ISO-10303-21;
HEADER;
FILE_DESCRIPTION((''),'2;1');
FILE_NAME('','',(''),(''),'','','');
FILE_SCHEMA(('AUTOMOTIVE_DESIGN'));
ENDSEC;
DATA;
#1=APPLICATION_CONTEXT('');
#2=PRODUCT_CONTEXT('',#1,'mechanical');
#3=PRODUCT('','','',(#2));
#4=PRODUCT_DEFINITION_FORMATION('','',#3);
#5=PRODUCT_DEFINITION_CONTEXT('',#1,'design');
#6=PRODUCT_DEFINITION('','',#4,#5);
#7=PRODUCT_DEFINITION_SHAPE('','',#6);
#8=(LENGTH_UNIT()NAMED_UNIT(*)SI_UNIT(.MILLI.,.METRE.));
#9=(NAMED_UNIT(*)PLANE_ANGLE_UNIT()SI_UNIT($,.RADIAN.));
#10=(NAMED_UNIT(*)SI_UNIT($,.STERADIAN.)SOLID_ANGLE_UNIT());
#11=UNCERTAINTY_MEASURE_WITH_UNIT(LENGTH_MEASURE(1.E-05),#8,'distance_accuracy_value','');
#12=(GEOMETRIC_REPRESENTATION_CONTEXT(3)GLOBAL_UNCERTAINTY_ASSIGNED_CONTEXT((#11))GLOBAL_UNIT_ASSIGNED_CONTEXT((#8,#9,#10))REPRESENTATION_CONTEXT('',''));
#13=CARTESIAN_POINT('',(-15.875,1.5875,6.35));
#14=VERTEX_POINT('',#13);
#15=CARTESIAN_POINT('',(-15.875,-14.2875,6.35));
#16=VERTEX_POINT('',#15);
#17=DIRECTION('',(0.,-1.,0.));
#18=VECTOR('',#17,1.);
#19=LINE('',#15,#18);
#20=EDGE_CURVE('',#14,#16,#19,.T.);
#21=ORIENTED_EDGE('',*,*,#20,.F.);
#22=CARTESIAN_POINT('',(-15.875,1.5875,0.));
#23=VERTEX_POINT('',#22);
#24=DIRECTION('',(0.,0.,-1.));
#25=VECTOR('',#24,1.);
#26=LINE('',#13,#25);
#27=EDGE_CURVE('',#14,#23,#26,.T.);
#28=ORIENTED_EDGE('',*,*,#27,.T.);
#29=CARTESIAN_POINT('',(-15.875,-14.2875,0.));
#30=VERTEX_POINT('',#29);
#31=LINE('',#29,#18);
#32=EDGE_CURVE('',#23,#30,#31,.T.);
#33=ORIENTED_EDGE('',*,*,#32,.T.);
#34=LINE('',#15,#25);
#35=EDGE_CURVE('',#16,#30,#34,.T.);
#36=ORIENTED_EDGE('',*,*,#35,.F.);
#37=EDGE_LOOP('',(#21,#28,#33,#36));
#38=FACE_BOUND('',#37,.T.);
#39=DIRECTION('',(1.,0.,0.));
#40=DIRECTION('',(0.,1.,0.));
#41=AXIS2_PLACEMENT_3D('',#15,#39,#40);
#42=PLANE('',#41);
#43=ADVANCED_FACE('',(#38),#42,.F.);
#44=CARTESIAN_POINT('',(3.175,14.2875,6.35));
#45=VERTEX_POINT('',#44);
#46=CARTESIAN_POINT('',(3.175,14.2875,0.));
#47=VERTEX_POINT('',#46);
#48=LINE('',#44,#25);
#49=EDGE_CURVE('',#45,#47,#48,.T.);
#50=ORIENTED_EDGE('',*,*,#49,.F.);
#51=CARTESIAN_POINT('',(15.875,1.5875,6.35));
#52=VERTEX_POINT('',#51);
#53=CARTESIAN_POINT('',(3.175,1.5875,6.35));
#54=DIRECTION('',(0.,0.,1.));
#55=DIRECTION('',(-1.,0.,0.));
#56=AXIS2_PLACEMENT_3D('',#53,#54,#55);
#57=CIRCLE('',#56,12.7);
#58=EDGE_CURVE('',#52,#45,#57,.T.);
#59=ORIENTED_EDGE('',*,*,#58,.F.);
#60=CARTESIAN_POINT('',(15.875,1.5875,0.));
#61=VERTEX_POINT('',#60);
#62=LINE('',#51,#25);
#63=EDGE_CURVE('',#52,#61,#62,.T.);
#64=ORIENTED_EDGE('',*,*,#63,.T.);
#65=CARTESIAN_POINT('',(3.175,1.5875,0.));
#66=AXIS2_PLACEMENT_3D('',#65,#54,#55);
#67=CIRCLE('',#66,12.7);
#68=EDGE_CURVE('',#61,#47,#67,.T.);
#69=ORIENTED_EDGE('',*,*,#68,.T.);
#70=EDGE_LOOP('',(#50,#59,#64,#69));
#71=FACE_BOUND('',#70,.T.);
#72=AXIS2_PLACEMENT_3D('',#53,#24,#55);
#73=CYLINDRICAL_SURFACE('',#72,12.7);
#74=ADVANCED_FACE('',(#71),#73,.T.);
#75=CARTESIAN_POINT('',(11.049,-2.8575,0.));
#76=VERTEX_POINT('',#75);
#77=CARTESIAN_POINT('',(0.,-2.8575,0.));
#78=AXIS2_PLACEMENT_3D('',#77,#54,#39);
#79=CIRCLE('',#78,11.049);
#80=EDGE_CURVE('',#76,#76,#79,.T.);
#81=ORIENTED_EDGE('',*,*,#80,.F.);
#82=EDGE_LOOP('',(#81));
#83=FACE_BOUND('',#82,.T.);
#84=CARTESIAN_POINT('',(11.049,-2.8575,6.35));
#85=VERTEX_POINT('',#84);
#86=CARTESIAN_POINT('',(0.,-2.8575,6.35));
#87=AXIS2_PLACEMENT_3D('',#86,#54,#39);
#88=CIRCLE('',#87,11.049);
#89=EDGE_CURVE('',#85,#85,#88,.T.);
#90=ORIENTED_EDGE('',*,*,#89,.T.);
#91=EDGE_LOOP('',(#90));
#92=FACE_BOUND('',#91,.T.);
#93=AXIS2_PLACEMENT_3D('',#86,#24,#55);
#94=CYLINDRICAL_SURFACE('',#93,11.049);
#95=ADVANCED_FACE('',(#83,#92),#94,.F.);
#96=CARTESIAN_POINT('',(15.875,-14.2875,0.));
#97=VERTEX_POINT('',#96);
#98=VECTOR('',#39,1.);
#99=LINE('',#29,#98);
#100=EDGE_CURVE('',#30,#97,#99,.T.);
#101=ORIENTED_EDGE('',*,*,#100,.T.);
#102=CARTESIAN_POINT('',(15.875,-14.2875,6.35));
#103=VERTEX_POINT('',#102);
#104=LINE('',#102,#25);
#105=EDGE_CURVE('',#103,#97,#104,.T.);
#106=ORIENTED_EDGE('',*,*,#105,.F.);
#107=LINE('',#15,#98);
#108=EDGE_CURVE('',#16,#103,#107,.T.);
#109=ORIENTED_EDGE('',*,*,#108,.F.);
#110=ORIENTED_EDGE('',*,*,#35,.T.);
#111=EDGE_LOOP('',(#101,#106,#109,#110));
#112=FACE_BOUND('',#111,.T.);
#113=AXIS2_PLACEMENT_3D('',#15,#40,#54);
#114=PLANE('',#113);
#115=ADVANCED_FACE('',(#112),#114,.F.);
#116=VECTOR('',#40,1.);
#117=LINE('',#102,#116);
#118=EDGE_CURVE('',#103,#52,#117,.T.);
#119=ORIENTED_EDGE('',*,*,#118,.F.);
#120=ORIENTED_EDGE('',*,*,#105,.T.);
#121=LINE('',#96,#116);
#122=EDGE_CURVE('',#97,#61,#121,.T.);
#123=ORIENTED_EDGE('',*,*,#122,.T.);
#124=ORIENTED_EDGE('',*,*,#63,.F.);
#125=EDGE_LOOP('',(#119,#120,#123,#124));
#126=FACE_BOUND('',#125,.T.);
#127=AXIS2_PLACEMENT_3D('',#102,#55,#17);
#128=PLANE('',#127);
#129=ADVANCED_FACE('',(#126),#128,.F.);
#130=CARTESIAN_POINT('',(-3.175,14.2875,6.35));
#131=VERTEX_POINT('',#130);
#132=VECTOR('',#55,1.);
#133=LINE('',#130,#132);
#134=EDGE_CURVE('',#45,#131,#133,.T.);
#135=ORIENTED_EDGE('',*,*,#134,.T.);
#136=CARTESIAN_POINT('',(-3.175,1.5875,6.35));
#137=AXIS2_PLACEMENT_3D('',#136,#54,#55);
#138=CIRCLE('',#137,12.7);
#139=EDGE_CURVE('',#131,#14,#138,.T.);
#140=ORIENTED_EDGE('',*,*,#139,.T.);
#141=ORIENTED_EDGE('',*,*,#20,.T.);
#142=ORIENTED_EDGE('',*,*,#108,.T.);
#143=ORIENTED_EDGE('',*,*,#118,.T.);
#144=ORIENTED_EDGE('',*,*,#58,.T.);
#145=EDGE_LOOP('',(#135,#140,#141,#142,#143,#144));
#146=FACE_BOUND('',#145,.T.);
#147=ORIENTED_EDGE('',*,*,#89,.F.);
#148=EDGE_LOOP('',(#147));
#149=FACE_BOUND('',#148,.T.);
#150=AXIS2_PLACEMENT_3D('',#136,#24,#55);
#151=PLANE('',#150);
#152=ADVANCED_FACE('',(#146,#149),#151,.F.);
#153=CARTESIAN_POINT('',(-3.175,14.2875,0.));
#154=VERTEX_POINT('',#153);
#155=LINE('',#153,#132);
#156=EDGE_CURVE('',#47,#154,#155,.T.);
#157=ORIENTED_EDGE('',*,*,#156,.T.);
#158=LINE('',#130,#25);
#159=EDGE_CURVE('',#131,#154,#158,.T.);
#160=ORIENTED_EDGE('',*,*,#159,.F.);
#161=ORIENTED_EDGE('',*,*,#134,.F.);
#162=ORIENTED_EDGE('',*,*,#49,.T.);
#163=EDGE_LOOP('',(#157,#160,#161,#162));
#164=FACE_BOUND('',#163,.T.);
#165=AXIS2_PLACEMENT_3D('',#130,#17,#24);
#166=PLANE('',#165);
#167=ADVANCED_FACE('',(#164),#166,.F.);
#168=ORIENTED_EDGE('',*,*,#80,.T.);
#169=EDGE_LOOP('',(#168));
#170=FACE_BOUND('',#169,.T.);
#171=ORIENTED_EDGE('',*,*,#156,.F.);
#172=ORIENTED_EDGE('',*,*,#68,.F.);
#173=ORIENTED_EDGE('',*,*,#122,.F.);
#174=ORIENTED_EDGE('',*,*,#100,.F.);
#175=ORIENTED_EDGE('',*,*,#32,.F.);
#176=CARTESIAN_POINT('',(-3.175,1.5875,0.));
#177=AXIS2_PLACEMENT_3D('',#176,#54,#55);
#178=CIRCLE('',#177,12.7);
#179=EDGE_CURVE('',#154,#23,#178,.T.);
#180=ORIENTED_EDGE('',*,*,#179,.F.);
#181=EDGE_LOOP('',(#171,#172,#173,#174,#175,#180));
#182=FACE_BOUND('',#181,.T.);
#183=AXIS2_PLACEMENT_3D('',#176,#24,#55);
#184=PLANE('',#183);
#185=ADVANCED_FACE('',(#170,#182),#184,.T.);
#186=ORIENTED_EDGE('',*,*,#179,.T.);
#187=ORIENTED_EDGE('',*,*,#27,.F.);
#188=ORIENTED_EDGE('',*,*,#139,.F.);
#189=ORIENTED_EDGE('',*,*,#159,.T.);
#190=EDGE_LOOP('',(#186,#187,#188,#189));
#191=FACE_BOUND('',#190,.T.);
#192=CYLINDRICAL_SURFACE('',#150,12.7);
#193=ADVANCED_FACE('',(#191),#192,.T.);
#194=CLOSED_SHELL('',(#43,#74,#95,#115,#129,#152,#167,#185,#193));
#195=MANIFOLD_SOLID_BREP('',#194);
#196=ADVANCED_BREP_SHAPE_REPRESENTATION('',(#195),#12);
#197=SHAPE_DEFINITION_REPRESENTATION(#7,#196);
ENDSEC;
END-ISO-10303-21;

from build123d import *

# Parameters (mm, degrees)
SKETCH1_R           = 11.049
BOSS_EXTRUDE3_DEPTH = 6.35


with BuildPart() as part:
    # Sketch1 → Boss-Extrude3 (new body)
    with BuildSketch(Plane.XY):
        with BuildLine():
            Line((-15.875, -14.2875), (15.875, -14.2875))
            Line((15.875, -14.2875), (15.875, 1.5875))
            ThreePointArc((15.875, 1.5875), (12.155256121, 10.567756121), (3.175, 14.2875))
            Line((3.175, 14.2875), (-3.175, 14.2875))
            ThreePointArc((-3.175, 14.2875), (-12.155256121, 10.567756121), (-15.875, 1.5875))
            Line((-15.875, 1.5875), (-15.875, -14.2875))
        make_face()
        with Locations((0, -2.8575)):
            Circle(SKETCH1_R, mode=Mode.SUBTRACT)
    extrude(amount=BOSS_EXTRUDE3_DEPTH)


solid = part.part
